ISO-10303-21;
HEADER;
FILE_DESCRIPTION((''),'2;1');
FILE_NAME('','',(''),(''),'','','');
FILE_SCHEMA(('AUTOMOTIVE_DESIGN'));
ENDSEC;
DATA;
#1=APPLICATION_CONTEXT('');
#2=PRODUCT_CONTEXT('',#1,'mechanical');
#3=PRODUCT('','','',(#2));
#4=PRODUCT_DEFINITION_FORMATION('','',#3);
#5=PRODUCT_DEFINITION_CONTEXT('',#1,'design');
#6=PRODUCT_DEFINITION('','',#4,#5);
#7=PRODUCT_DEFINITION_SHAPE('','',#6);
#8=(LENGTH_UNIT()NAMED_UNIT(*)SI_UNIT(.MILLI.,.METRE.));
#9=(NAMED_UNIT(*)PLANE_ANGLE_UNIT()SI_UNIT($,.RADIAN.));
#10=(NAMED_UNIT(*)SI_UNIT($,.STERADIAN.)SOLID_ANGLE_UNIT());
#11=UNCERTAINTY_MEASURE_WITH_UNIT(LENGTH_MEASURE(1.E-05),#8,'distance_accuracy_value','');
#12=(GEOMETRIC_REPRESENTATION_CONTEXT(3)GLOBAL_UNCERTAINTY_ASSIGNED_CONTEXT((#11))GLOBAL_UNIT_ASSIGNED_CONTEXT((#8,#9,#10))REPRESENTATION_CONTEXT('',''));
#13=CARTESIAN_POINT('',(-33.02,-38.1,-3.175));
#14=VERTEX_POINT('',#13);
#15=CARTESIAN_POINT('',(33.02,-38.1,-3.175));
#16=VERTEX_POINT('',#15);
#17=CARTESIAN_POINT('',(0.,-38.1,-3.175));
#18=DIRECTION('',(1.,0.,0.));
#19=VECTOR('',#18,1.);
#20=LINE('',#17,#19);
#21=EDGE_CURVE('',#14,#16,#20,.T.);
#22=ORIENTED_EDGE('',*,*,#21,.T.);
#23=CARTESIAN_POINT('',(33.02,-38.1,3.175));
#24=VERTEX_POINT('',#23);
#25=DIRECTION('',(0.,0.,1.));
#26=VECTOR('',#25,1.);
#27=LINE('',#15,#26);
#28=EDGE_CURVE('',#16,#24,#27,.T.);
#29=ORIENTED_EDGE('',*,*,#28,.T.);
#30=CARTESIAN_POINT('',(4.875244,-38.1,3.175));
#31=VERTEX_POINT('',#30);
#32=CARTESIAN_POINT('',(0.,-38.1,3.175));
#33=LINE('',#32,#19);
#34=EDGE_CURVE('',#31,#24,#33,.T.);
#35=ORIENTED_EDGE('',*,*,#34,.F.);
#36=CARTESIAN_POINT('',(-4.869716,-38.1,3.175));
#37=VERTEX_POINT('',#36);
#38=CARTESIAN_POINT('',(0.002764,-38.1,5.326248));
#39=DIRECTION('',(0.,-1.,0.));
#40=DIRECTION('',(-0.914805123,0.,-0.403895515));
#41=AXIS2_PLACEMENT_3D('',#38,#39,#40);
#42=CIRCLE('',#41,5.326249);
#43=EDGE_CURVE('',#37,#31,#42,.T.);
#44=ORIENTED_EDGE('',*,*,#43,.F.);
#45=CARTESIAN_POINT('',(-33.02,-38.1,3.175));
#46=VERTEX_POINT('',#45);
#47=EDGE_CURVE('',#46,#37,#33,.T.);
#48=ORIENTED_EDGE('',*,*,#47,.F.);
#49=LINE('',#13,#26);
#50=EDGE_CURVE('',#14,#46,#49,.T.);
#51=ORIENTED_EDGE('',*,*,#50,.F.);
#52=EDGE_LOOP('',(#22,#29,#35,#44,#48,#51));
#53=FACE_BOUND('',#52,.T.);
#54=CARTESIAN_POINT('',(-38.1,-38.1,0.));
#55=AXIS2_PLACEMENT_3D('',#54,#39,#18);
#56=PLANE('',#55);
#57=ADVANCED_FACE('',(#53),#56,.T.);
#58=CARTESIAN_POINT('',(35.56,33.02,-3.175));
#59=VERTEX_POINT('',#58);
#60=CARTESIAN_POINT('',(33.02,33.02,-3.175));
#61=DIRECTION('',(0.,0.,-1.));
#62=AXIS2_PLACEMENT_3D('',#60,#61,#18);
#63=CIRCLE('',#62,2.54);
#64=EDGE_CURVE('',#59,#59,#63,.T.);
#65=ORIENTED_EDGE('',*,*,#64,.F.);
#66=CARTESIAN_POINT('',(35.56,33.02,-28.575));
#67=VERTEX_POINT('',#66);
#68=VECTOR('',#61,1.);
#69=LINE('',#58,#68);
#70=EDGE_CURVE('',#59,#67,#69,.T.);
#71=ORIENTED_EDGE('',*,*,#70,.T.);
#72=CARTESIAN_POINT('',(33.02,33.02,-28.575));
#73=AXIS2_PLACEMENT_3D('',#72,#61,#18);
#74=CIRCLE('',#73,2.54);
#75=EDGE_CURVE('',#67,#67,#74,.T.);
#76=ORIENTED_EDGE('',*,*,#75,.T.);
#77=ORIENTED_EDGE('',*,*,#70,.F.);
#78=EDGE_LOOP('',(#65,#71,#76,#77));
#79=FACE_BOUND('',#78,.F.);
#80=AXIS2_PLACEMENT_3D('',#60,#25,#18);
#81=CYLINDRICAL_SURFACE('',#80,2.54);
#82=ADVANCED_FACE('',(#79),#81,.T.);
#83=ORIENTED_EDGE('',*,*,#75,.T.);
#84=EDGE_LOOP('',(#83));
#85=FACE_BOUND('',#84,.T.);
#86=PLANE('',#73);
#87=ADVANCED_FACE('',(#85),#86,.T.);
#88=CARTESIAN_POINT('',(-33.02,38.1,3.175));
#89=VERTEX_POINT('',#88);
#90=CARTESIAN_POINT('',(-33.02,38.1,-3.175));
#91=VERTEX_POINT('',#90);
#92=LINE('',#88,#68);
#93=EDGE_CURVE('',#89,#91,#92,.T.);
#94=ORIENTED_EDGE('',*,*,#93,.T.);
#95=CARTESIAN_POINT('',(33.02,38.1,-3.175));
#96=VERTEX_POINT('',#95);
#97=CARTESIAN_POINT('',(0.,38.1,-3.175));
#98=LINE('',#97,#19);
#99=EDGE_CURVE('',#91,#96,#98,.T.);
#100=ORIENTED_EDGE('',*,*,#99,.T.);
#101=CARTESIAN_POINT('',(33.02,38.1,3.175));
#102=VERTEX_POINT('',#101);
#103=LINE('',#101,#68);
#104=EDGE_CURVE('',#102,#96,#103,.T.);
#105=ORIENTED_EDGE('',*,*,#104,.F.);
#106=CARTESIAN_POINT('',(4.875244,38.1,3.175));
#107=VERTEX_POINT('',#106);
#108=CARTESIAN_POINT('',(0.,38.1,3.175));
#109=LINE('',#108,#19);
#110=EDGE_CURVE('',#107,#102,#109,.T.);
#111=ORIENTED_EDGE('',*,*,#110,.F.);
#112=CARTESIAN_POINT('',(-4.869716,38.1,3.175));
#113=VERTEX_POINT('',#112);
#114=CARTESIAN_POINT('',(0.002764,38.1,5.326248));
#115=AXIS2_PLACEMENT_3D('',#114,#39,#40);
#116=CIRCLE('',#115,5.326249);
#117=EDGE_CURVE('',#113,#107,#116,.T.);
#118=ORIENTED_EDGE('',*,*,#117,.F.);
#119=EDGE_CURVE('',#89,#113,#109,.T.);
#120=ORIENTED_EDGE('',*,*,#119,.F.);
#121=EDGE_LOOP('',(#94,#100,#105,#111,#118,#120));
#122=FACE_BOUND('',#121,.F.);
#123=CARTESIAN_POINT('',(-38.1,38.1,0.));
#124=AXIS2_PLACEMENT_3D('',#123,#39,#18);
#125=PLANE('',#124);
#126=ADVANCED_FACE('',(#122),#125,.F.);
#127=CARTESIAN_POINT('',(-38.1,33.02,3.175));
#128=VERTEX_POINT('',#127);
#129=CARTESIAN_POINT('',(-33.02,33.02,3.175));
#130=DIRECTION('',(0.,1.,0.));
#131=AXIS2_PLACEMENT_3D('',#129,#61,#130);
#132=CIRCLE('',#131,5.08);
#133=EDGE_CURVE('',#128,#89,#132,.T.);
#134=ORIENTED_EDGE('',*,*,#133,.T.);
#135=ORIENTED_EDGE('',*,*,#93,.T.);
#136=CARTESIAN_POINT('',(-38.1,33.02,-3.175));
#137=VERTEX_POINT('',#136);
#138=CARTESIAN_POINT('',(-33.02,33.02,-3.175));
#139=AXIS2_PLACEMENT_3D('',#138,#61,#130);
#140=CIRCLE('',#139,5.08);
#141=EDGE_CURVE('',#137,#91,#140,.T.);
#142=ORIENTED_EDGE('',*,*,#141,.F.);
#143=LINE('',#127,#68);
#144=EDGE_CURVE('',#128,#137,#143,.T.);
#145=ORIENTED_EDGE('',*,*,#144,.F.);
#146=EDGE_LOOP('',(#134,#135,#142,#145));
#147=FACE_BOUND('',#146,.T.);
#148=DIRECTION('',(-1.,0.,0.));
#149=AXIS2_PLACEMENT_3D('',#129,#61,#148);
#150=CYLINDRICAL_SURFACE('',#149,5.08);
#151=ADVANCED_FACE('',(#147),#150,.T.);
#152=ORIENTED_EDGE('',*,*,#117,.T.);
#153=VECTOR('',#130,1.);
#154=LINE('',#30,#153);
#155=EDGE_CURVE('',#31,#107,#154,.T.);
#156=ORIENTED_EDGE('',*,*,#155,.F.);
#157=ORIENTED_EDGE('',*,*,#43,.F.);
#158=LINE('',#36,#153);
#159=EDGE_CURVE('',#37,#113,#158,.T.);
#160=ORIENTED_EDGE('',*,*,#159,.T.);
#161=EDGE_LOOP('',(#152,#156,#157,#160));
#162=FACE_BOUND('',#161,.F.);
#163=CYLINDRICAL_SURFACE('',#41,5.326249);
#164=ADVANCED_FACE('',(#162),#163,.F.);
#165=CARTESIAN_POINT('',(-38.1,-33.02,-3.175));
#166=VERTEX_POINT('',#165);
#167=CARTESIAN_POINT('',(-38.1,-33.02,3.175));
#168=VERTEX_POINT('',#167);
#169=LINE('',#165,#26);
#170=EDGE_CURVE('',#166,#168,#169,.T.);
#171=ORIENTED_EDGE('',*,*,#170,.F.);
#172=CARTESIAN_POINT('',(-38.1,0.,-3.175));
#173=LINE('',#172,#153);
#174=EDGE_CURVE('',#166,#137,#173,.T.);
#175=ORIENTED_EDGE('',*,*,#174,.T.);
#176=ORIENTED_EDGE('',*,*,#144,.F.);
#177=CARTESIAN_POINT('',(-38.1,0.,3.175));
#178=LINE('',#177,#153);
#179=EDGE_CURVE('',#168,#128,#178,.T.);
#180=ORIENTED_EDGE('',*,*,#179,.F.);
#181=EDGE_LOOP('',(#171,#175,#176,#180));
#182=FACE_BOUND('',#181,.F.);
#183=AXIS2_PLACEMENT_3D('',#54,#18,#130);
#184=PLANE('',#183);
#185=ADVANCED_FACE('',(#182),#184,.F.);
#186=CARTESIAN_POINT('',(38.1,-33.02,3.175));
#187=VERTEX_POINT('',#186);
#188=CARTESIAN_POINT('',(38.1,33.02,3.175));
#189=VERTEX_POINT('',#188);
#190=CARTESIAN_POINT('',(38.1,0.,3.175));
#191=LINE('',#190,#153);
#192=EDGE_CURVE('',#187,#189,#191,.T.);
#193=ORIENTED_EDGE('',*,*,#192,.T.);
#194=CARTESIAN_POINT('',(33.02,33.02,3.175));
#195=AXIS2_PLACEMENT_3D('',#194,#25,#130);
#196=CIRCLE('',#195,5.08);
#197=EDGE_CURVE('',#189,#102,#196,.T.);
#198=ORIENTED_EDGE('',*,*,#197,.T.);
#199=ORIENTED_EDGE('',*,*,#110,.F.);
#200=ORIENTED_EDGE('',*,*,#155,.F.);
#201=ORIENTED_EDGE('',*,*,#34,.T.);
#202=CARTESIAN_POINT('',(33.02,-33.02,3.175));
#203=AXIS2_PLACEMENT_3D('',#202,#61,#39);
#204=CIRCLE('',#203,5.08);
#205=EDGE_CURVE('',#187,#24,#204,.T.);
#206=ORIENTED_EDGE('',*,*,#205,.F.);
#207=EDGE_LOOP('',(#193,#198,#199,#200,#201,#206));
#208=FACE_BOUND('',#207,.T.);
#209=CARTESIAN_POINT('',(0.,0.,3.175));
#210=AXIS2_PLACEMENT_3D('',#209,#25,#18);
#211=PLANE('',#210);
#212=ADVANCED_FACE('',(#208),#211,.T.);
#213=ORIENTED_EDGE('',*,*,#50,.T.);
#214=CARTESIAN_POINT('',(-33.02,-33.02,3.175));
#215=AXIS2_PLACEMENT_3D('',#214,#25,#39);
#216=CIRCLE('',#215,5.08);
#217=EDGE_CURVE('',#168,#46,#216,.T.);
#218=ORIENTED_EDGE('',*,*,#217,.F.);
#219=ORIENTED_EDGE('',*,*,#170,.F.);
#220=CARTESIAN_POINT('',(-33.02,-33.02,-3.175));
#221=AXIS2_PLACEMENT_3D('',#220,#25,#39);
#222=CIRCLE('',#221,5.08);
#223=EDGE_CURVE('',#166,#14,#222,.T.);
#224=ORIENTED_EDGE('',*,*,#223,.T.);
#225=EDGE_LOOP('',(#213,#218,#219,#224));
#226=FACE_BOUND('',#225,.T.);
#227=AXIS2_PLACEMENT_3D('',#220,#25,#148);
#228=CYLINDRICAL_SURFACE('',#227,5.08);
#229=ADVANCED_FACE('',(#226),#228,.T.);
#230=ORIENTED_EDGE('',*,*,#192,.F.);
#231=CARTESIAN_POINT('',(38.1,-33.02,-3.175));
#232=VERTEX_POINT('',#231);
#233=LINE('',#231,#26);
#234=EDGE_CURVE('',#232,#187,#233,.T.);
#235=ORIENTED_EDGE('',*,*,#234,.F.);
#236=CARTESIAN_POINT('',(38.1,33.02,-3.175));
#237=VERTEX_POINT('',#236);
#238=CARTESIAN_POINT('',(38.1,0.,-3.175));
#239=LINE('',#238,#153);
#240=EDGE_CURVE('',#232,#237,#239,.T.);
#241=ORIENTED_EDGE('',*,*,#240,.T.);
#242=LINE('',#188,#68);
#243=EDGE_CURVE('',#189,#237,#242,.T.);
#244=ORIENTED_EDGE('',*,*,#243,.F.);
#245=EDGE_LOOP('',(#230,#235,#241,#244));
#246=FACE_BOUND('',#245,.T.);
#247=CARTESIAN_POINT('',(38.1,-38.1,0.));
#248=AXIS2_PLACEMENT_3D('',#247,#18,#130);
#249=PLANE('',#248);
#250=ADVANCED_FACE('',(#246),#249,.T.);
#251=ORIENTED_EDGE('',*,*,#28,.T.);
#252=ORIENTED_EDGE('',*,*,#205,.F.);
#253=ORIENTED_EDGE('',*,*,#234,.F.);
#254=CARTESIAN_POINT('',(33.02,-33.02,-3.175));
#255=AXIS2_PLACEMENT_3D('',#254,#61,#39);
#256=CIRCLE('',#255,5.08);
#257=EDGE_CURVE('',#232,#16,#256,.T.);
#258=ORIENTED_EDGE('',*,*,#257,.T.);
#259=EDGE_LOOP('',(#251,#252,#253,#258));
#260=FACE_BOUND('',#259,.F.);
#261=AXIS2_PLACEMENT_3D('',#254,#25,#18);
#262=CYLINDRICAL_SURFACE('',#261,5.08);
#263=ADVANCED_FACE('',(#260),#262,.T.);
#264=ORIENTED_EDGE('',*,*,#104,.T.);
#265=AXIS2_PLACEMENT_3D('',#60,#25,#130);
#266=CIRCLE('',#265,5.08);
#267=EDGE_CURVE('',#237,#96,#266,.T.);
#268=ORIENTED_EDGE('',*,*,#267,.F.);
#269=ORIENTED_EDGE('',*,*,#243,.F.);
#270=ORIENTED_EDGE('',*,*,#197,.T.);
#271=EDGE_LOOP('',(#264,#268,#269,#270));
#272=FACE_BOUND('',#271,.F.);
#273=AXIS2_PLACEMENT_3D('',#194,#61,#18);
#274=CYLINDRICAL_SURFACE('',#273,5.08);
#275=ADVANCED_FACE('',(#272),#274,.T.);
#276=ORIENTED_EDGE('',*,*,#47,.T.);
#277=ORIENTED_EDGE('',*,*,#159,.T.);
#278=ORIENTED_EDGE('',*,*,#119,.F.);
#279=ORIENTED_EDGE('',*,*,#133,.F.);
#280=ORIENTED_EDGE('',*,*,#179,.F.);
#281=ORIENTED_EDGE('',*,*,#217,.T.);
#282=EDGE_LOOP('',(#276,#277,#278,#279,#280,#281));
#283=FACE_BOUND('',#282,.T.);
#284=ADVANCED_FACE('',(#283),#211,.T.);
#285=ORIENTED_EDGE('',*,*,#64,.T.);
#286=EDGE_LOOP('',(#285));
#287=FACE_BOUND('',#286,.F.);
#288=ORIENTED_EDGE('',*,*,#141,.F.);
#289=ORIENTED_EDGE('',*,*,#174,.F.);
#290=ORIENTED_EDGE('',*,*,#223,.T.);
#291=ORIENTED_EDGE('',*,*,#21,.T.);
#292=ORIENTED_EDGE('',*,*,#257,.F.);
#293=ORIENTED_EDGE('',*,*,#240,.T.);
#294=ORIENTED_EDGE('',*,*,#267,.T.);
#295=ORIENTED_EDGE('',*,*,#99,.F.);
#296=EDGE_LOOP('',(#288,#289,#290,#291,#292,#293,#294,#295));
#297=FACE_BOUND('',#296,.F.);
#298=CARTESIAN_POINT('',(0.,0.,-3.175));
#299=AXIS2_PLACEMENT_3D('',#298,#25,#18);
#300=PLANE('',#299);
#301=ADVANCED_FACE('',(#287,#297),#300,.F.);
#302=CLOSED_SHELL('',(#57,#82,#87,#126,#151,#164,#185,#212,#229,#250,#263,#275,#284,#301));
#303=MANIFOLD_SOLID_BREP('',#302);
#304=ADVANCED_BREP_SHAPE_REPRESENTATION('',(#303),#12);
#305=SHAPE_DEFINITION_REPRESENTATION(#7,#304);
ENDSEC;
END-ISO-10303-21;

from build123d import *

# Parameters (mm, degrees)
F0_W     = 76.2
F0_H     = 76.2
F1_DEPTH = 3.175
F2_R     = 5.08
F4_DEPTH = 76.201
F5_R     = 2.54
F6_DEPTH = 25.4


with BuildPart() as f1:
    # F0 (on Top) → F1 (new body, symmetric)
    with BuildSketch(Plane.XY):
        Rectangle(F0_W, F0_H)
    extrude(amount=F1_DEPTH, both=True)

    # F2
    f2_edges = [f1.edges().sort_by_distance(p)[0] for p in [
        (38.1, -38.1, 0),
        (38.1, 38.1, 0),
        (-38.1, 38.1, 0),
        (-38.1, -38.1, 0),
    ]]
    fillet(f2_edges, radius=F2_R)

    # F3 (on face) → F4 (cut, through all)
    with BuildSketch(Plane.XZ.offset(38.1)):
        with BuildLine():
            Line((4.875244, 3.175), (-4.869716, 3.175))
            ThreePointArc((-4.869716, 3.175), (0.002764, -1e-06), (4.875244, 3.175))
        make_face()
    extrude(amount=-F4_DEPTH, mode=Mode.SUBTRACT)

    # F5 (on face) → F6 (join)
    with BuildSketch(Plane(origin=(0, 0, -3.175), x_dir=(1, 0, 0), z_dir=(0, 0, -1))):
        with Locations((33.02, -33.02)):
            Circle(F5_R)
    extrude(amount=F6_DEPTH)


solid = f1.part
